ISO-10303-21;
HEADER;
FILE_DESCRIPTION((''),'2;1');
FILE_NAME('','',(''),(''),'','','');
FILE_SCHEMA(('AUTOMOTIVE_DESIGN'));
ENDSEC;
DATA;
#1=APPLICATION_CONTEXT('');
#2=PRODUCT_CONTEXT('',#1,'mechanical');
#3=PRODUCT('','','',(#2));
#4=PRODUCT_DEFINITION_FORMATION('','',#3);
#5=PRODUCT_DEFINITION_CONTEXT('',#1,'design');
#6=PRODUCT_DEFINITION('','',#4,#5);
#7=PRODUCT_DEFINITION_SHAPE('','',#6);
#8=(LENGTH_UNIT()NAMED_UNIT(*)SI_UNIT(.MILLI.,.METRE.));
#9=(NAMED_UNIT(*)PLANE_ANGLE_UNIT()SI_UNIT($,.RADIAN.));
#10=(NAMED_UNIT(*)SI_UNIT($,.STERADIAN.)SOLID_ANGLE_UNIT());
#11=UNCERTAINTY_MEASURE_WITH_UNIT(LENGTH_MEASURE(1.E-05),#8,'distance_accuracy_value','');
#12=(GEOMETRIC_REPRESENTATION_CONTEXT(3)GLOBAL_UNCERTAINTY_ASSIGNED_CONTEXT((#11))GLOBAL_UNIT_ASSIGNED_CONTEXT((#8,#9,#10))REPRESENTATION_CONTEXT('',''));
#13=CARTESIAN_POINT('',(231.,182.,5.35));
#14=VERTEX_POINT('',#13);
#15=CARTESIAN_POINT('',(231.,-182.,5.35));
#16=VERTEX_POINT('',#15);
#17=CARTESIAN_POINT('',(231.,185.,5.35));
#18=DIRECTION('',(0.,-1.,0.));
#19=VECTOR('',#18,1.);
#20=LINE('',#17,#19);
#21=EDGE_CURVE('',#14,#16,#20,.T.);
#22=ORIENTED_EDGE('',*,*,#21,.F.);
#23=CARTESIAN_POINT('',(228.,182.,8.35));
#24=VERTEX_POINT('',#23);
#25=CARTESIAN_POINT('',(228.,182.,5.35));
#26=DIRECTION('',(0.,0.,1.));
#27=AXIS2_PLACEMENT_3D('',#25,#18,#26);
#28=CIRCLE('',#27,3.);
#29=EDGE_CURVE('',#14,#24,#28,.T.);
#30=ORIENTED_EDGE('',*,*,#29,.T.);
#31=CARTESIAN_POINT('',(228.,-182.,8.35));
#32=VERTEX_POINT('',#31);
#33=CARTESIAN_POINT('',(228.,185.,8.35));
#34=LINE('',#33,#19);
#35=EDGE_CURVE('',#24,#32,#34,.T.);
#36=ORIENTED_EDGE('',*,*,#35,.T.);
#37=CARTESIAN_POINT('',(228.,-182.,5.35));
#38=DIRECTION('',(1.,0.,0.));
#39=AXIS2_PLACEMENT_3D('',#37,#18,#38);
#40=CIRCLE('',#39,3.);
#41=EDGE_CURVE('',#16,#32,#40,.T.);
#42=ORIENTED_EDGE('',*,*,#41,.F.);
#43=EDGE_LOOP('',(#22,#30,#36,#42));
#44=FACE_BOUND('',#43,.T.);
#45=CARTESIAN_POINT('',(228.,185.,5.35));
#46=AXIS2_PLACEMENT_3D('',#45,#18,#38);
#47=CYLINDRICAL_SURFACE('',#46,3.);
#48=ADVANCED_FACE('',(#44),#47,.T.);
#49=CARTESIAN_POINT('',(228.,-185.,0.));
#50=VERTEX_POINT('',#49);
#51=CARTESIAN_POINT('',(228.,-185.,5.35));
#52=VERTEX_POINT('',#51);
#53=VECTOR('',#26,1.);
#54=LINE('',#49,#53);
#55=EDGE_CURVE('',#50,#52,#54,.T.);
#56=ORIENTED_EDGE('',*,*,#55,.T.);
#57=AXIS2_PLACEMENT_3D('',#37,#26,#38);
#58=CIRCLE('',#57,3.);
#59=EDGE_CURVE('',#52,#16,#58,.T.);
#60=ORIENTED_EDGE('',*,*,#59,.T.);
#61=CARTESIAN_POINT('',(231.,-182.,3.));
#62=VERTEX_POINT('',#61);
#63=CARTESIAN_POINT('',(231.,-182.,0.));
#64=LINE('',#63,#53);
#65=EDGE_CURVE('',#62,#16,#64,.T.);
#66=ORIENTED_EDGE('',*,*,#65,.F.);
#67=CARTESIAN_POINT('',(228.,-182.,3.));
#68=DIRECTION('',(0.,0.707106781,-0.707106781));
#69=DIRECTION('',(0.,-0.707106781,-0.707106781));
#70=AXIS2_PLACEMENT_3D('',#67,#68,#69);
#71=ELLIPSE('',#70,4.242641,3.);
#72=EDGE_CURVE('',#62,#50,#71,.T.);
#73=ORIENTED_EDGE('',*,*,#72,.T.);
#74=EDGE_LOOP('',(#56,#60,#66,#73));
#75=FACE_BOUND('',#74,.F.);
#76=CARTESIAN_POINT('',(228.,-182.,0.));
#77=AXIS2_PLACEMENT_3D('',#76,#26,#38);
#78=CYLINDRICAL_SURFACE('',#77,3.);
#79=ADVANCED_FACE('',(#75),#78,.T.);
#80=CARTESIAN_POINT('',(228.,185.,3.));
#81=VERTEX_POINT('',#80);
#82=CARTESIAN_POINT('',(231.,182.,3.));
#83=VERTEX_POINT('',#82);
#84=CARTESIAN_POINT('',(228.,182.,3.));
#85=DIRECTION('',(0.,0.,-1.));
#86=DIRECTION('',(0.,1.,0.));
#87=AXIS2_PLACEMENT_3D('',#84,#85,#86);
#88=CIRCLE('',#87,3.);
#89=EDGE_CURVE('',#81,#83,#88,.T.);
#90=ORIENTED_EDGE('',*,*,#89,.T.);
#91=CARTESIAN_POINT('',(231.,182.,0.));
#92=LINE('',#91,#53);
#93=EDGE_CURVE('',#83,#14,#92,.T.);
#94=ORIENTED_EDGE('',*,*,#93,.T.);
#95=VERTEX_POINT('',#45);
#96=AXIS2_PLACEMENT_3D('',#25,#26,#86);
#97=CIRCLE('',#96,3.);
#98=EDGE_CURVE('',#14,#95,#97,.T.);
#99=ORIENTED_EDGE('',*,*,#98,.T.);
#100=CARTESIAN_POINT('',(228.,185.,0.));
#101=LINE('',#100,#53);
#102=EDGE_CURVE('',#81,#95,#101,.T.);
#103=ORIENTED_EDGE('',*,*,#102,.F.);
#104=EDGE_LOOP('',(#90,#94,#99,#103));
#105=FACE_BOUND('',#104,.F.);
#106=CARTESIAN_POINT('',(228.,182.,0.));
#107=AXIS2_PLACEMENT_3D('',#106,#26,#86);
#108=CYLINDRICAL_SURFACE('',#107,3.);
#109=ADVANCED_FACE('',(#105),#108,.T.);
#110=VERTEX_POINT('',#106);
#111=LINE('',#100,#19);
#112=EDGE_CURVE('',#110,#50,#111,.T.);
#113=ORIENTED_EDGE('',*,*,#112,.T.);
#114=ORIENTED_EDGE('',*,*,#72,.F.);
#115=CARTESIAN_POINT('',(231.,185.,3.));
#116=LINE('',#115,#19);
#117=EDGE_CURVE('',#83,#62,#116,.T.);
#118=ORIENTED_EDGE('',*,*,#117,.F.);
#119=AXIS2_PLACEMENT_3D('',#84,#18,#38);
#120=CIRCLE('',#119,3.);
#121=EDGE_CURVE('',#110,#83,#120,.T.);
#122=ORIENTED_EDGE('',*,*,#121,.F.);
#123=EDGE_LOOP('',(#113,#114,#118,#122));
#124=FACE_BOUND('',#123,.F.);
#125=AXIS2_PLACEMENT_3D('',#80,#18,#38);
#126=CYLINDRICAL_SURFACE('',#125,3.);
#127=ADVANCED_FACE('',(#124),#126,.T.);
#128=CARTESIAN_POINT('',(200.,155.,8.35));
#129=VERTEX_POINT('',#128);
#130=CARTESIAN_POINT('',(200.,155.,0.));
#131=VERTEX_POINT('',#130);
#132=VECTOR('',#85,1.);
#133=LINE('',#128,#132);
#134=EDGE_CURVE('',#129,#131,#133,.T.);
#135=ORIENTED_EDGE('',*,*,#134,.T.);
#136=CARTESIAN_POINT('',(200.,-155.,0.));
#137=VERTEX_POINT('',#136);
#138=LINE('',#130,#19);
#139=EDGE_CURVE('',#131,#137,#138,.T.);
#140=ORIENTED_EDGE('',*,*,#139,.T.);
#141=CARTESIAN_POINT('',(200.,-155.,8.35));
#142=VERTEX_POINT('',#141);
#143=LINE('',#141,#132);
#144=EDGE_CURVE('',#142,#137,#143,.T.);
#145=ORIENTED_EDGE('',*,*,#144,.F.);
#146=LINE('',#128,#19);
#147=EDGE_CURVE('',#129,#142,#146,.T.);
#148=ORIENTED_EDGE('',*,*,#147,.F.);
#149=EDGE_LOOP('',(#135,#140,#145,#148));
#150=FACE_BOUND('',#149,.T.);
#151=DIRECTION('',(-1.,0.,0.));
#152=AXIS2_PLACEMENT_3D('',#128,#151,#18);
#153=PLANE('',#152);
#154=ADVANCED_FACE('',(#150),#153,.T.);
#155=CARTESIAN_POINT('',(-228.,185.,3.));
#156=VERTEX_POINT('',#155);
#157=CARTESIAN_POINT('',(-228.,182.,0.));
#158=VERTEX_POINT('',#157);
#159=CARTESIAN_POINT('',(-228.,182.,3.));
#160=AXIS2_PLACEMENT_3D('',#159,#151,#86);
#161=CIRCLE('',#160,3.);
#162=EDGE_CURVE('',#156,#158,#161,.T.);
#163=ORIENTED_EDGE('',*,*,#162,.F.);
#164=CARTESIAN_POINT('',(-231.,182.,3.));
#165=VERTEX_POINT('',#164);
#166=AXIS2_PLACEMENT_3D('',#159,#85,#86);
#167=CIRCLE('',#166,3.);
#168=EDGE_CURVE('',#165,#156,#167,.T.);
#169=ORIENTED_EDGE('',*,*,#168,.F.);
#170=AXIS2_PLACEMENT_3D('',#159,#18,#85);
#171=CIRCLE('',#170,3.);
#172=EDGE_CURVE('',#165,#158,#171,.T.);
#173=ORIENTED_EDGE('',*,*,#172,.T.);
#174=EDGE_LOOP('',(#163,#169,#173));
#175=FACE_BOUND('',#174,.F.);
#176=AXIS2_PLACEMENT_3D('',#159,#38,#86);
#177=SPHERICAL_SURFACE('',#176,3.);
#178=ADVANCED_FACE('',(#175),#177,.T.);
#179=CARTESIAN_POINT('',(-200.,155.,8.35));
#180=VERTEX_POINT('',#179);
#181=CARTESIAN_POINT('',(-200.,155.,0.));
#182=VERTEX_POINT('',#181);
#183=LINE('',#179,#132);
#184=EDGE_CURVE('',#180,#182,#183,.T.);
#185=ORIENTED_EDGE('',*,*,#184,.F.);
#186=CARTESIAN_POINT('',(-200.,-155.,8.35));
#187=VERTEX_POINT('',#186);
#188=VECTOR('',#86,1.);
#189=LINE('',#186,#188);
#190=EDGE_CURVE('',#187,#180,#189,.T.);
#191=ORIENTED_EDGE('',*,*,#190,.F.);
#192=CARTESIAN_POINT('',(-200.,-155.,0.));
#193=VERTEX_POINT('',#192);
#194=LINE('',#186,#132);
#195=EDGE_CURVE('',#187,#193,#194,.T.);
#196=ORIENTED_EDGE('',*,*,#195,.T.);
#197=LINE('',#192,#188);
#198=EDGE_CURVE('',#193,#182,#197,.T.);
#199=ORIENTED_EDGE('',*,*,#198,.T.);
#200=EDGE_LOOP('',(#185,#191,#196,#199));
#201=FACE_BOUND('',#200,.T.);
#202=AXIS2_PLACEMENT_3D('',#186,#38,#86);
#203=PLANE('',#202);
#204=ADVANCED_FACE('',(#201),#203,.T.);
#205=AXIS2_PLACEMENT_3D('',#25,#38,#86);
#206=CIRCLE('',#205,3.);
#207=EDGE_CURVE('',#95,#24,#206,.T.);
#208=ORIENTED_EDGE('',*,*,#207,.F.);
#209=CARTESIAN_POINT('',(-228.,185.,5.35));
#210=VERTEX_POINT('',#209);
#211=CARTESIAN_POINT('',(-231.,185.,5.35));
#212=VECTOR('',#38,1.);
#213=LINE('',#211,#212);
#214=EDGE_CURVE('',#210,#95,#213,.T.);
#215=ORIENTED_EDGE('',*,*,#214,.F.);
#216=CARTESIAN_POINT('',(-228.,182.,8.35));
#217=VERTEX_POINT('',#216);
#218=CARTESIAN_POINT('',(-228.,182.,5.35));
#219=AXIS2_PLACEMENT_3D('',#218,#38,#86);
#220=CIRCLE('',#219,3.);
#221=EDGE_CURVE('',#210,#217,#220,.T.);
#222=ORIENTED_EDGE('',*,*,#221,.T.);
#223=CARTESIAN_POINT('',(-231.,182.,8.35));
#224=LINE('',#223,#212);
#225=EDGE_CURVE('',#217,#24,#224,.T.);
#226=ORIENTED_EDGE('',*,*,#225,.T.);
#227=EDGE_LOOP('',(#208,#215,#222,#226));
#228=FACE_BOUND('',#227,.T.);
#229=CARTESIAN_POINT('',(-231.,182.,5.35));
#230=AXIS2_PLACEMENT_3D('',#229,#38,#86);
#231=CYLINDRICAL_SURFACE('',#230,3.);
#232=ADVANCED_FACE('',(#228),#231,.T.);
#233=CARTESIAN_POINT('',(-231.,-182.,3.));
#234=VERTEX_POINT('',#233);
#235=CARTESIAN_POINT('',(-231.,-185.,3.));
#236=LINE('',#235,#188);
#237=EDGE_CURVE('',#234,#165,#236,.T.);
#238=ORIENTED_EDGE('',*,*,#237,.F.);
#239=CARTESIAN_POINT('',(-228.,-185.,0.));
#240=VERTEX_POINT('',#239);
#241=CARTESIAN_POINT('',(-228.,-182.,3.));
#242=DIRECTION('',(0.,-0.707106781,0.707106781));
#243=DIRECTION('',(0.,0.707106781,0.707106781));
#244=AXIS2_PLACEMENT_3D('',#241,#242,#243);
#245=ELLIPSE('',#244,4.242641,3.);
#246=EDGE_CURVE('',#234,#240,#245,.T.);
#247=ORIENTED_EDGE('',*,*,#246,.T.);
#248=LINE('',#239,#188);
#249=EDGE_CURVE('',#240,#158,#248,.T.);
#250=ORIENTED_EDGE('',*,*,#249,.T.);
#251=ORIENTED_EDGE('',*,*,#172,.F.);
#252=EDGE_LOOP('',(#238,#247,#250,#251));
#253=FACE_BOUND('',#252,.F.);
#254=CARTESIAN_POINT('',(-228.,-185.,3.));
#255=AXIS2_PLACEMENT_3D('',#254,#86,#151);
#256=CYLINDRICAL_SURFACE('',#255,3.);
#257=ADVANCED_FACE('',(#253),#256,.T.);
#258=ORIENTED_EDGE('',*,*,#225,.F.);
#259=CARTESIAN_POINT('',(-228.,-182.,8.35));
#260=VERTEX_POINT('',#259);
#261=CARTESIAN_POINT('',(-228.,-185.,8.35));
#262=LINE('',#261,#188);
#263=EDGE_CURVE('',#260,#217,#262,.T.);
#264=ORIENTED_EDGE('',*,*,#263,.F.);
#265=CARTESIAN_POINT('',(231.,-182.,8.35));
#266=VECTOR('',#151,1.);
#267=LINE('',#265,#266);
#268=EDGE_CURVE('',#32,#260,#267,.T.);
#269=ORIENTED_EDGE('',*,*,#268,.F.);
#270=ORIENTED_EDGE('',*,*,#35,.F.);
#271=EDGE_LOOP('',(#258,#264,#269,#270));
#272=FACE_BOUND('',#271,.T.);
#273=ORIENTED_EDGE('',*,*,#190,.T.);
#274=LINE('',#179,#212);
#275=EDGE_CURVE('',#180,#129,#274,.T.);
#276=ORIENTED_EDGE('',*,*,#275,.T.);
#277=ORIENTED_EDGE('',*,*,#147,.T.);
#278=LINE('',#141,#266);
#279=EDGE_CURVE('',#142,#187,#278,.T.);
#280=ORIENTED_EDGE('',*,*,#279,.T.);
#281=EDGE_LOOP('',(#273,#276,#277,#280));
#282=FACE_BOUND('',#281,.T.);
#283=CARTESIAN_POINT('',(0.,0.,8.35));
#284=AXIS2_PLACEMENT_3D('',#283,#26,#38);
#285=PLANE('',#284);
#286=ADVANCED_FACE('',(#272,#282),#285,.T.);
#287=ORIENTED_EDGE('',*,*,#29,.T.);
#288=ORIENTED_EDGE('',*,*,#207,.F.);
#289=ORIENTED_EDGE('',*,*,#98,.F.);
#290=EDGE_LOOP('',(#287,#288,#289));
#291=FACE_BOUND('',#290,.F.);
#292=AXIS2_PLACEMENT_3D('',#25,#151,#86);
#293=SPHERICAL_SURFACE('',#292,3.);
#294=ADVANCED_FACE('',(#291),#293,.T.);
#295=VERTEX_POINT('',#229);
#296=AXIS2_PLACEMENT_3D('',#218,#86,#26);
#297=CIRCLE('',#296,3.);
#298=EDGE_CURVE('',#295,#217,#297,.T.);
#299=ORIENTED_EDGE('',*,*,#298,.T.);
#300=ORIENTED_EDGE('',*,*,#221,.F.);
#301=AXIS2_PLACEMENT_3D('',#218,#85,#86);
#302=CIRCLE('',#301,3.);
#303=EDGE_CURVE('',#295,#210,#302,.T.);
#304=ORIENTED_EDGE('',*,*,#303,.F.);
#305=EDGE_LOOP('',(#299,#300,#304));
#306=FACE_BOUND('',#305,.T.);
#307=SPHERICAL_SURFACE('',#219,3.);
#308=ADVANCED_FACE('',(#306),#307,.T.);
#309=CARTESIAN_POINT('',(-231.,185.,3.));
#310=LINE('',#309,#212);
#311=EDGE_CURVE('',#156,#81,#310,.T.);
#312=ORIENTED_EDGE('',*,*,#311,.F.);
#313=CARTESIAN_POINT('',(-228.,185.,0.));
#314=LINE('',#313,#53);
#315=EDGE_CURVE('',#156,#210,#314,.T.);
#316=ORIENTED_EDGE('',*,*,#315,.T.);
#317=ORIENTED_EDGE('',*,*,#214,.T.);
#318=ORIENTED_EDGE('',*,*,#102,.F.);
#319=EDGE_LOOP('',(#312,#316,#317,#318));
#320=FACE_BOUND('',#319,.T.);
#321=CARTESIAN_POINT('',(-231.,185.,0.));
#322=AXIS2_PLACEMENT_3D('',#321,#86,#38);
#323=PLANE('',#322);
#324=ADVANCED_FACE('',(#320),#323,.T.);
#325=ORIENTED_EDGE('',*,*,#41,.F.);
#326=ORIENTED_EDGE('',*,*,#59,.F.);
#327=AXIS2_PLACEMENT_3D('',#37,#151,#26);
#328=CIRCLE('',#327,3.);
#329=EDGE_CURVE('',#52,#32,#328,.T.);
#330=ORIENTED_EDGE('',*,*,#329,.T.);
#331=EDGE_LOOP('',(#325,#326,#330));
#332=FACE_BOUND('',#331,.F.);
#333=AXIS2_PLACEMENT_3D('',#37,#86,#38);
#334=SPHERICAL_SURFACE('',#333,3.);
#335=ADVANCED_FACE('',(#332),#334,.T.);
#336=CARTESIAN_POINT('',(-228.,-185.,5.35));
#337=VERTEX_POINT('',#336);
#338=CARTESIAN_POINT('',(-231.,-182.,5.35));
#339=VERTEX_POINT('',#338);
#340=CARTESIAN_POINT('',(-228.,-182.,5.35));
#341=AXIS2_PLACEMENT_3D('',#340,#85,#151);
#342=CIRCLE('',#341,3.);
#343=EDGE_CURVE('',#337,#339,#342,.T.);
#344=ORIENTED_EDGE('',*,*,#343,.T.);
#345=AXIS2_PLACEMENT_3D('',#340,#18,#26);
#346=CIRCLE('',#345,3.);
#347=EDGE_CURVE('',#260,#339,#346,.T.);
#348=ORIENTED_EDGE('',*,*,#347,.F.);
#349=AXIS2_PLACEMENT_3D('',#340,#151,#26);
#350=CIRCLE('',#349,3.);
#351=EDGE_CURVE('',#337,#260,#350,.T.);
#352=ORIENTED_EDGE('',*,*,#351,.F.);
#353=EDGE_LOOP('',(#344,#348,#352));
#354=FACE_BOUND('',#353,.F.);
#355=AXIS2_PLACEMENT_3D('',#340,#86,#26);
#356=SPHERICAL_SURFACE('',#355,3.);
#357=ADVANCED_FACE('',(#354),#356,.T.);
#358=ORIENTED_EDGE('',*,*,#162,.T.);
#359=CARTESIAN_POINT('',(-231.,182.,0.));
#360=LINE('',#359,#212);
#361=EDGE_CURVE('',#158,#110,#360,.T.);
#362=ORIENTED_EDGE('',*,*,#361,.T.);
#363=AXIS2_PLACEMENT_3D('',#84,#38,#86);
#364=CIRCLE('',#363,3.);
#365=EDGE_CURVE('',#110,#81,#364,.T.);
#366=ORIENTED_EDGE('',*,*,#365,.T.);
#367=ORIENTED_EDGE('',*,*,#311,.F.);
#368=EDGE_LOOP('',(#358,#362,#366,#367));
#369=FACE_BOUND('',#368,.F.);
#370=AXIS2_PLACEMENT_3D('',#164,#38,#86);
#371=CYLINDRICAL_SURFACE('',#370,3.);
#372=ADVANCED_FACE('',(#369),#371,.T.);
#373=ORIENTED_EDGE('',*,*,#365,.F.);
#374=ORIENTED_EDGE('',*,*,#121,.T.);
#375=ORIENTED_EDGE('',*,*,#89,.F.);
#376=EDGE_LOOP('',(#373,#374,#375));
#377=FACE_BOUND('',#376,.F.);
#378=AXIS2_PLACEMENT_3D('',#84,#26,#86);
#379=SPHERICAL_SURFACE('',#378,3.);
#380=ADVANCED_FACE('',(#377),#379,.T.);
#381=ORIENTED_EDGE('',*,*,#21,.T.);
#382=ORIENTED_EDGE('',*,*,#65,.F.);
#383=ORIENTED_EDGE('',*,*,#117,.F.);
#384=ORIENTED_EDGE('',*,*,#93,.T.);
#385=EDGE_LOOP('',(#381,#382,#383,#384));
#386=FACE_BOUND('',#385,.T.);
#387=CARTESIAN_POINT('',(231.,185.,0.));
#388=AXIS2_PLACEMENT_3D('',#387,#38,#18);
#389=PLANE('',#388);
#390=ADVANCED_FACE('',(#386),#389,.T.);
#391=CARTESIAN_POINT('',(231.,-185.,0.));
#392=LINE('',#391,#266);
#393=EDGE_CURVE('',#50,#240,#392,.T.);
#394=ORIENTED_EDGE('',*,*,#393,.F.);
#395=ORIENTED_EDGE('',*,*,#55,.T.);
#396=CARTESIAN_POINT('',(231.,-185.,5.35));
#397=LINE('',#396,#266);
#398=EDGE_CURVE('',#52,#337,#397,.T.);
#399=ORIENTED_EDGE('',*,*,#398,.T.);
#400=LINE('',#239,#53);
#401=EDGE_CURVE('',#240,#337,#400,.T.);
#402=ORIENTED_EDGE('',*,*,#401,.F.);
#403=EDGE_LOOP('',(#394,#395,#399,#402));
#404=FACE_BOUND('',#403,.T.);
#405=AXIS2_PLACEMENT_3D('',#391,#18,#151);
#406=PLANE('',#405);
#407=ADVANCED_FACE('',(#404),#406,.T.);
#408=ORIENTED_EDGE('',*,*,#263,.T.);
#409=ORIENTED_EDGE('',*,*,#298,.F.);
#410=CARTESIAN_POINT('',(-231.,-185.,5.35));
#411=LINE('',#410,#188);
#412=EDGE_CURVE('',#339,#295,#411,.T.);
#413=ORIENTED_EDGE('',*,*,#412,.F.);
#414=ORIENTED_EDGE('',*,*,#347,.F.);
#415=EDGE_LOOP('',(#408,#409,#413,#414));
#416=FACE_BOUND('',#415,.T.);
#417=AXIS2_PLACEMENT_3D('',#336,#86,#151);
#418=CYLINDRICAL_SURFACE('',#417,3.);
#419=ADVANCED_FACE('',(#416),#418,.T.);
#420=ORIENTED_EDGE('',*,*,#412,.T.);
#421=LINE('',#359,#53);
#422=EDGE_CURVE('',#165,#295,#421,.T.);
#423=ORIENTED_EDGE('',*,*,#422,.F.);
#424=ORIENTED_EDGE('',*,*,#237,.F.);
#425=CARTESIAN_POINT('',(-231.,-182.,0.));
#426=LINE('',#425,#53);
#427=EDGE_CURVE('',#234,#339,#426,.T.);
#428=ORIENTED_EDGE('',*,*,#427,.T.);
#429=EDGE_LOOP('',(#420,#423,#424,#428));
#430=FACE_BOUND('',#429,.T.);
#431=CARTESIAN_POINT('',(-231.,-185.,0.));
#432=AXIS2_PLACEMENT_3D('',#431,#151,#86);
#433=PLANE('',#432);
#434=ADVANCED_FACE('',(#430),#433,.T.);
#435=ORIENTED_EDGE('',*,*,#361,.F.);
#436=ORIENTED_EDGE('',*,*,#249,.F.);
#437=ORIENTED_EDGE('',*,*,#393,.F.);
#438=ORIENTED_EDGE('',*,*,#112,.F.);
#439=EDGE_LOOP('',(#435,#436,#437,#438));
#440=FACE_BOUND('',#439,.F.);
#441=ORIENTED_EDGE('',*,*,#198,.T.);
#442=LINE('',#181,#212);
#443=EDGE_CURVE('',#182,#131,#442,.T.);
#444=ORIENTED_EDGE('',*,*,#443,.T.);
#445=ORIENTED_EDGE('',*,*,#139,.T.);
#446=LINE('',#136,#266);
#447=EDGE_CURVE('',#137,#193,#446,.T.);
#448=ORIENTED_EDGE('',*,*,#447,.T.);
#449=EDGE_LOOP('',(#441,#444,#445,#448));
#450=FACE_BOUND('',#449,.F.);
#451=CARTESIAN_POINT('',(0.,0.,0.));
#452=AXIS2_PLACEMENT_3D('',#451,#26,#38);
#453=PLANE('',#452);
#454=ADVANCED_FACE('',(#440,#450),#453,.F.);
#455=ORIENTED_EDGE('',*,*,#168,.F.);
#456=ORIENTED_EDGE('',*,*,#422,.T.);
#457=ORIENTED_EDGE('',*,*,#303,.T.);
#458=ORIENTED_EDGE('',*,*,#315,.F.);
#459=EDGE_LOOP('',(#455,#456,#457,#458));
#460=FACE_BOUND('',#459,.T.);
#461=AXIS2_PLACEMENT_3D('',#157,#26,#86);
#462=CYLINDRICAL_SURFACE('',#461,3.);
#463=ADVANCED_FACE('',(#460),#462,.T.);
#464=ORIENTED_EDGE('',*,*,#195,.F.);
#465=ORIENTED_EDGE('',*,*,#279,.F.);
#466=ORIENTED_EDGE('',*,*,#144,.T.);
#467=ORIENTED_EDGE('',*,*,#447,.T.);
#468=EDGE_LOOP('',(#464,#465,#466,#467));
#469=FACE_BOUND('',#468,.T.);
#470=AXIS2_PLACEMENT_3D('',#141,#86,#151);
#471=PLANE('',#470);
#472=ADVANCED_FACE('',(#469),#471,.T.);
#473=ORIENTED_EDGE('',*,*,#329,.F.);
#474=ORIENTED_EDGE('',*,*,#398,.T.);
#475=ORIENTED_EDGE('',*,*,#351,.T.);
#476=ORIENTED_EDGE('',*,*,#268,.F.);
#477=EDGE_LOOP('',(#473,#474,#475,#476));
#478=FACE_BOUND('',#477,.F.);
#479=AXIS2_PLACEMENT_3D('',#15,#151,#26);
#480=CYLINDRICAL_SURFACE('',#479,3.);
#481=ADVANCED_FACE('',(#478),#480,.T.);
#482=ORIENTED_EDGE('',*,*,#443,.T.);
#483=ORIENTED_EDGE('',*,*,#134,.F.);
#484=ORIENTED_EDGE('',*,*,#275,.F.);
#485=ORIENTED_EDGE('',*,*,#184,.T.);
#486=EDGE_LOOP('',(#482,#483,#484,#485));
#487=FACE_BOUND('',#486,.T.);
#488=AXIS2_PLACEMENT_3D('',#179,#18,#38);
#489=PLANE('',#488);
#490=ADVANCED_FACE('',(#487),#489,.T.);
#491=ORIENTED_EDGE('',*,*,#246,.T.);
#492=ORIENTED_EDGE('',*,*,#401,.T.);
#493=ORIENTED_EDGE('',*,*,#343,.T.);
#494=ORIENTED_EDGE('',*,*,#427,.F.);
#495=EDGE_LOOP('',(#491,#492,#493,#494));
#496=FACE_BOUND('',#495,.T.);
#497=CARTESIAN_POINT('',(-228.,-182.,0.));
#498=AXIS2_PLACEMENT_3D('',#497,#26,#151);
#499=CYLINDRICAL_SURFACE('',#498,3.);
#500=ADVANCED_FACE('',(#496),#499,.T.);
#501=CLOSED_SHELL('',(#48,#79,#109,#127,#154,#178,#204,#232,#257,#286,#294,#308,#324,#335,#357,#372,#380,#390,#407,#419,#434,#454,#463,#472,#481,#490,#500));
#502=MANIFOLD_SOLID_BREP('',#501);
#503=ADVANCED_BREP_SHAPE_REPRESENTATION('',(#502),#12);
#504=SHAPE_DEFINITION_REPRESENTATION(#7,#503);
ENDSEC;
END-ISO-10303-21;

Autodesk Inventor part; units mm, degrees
ref_plane "YZ Plane" through (0, 0, 0) normal (1, 0, 0) x (0, 1, 0)
ref_plane "XZ Plane" through (0, 0, 0) normal (0, 1, 0) x (-1, 0, 0)
ref_plane "XY Plane" through (0, 0, 0) normal (0, 0, 1) x (1, 0, 0)
sketch "スケッチ1" plane through (0, 0, 0) normal (0, 0, 1) x (1, 0, 0)
  line L0 (-231, 185) -> (231, 185)
  line L1 (231, 185) -> (231, -185)
  line L2 (231, -185) -> (-231, -185)
  line L3 (-231, -185) -> (-231, 185)
  line L4 (-231, 185) -> (231, -185) construction
  line L5 (231, 185) -> (-231, -185) construction
  point P0 (0, 0)
  dimension "d0" = 462
  dimension "d1" = 370
extrude "押し出し1" add sketch "スケッチ1" along normal blind 8.35
sketch "スケッチ2" plane through (0, 0, 8.35) normal (0, 0, 1) x (1, 0, 0)
  line L0 (-200, 155) -> (200, 155)
  line L1 (200, 155) -> (200, -155)
  line L2 (200, -155) -> (-200, -155)
  line L3 (-200, -155) -> (-200, 155)
  line L4 (-200, 155) -> (200, -155) construction
  line L5 (200, 155) -> (-200, -155) construction
  point P0 (0, 0)
  dimension "d4" = 400
  dimension "d5" = 310
extrude "押し出し2" cut sketch "スケッチ2" against normal blind 8.35
fillet "フィレット1" radius 3 11 edges at (0, 185, 8.35) (231, 185, 4.175) (0, 185, 0) (-231, 185, 4.175) (-231, 0, 8.35) (231, 0, 8.35) (231, 0, 0) (231, -185, 4.175) (0, -185, 8.35) (-231, -185, 4.175) (-231, 0, 0)
properties part number "upperGom"
